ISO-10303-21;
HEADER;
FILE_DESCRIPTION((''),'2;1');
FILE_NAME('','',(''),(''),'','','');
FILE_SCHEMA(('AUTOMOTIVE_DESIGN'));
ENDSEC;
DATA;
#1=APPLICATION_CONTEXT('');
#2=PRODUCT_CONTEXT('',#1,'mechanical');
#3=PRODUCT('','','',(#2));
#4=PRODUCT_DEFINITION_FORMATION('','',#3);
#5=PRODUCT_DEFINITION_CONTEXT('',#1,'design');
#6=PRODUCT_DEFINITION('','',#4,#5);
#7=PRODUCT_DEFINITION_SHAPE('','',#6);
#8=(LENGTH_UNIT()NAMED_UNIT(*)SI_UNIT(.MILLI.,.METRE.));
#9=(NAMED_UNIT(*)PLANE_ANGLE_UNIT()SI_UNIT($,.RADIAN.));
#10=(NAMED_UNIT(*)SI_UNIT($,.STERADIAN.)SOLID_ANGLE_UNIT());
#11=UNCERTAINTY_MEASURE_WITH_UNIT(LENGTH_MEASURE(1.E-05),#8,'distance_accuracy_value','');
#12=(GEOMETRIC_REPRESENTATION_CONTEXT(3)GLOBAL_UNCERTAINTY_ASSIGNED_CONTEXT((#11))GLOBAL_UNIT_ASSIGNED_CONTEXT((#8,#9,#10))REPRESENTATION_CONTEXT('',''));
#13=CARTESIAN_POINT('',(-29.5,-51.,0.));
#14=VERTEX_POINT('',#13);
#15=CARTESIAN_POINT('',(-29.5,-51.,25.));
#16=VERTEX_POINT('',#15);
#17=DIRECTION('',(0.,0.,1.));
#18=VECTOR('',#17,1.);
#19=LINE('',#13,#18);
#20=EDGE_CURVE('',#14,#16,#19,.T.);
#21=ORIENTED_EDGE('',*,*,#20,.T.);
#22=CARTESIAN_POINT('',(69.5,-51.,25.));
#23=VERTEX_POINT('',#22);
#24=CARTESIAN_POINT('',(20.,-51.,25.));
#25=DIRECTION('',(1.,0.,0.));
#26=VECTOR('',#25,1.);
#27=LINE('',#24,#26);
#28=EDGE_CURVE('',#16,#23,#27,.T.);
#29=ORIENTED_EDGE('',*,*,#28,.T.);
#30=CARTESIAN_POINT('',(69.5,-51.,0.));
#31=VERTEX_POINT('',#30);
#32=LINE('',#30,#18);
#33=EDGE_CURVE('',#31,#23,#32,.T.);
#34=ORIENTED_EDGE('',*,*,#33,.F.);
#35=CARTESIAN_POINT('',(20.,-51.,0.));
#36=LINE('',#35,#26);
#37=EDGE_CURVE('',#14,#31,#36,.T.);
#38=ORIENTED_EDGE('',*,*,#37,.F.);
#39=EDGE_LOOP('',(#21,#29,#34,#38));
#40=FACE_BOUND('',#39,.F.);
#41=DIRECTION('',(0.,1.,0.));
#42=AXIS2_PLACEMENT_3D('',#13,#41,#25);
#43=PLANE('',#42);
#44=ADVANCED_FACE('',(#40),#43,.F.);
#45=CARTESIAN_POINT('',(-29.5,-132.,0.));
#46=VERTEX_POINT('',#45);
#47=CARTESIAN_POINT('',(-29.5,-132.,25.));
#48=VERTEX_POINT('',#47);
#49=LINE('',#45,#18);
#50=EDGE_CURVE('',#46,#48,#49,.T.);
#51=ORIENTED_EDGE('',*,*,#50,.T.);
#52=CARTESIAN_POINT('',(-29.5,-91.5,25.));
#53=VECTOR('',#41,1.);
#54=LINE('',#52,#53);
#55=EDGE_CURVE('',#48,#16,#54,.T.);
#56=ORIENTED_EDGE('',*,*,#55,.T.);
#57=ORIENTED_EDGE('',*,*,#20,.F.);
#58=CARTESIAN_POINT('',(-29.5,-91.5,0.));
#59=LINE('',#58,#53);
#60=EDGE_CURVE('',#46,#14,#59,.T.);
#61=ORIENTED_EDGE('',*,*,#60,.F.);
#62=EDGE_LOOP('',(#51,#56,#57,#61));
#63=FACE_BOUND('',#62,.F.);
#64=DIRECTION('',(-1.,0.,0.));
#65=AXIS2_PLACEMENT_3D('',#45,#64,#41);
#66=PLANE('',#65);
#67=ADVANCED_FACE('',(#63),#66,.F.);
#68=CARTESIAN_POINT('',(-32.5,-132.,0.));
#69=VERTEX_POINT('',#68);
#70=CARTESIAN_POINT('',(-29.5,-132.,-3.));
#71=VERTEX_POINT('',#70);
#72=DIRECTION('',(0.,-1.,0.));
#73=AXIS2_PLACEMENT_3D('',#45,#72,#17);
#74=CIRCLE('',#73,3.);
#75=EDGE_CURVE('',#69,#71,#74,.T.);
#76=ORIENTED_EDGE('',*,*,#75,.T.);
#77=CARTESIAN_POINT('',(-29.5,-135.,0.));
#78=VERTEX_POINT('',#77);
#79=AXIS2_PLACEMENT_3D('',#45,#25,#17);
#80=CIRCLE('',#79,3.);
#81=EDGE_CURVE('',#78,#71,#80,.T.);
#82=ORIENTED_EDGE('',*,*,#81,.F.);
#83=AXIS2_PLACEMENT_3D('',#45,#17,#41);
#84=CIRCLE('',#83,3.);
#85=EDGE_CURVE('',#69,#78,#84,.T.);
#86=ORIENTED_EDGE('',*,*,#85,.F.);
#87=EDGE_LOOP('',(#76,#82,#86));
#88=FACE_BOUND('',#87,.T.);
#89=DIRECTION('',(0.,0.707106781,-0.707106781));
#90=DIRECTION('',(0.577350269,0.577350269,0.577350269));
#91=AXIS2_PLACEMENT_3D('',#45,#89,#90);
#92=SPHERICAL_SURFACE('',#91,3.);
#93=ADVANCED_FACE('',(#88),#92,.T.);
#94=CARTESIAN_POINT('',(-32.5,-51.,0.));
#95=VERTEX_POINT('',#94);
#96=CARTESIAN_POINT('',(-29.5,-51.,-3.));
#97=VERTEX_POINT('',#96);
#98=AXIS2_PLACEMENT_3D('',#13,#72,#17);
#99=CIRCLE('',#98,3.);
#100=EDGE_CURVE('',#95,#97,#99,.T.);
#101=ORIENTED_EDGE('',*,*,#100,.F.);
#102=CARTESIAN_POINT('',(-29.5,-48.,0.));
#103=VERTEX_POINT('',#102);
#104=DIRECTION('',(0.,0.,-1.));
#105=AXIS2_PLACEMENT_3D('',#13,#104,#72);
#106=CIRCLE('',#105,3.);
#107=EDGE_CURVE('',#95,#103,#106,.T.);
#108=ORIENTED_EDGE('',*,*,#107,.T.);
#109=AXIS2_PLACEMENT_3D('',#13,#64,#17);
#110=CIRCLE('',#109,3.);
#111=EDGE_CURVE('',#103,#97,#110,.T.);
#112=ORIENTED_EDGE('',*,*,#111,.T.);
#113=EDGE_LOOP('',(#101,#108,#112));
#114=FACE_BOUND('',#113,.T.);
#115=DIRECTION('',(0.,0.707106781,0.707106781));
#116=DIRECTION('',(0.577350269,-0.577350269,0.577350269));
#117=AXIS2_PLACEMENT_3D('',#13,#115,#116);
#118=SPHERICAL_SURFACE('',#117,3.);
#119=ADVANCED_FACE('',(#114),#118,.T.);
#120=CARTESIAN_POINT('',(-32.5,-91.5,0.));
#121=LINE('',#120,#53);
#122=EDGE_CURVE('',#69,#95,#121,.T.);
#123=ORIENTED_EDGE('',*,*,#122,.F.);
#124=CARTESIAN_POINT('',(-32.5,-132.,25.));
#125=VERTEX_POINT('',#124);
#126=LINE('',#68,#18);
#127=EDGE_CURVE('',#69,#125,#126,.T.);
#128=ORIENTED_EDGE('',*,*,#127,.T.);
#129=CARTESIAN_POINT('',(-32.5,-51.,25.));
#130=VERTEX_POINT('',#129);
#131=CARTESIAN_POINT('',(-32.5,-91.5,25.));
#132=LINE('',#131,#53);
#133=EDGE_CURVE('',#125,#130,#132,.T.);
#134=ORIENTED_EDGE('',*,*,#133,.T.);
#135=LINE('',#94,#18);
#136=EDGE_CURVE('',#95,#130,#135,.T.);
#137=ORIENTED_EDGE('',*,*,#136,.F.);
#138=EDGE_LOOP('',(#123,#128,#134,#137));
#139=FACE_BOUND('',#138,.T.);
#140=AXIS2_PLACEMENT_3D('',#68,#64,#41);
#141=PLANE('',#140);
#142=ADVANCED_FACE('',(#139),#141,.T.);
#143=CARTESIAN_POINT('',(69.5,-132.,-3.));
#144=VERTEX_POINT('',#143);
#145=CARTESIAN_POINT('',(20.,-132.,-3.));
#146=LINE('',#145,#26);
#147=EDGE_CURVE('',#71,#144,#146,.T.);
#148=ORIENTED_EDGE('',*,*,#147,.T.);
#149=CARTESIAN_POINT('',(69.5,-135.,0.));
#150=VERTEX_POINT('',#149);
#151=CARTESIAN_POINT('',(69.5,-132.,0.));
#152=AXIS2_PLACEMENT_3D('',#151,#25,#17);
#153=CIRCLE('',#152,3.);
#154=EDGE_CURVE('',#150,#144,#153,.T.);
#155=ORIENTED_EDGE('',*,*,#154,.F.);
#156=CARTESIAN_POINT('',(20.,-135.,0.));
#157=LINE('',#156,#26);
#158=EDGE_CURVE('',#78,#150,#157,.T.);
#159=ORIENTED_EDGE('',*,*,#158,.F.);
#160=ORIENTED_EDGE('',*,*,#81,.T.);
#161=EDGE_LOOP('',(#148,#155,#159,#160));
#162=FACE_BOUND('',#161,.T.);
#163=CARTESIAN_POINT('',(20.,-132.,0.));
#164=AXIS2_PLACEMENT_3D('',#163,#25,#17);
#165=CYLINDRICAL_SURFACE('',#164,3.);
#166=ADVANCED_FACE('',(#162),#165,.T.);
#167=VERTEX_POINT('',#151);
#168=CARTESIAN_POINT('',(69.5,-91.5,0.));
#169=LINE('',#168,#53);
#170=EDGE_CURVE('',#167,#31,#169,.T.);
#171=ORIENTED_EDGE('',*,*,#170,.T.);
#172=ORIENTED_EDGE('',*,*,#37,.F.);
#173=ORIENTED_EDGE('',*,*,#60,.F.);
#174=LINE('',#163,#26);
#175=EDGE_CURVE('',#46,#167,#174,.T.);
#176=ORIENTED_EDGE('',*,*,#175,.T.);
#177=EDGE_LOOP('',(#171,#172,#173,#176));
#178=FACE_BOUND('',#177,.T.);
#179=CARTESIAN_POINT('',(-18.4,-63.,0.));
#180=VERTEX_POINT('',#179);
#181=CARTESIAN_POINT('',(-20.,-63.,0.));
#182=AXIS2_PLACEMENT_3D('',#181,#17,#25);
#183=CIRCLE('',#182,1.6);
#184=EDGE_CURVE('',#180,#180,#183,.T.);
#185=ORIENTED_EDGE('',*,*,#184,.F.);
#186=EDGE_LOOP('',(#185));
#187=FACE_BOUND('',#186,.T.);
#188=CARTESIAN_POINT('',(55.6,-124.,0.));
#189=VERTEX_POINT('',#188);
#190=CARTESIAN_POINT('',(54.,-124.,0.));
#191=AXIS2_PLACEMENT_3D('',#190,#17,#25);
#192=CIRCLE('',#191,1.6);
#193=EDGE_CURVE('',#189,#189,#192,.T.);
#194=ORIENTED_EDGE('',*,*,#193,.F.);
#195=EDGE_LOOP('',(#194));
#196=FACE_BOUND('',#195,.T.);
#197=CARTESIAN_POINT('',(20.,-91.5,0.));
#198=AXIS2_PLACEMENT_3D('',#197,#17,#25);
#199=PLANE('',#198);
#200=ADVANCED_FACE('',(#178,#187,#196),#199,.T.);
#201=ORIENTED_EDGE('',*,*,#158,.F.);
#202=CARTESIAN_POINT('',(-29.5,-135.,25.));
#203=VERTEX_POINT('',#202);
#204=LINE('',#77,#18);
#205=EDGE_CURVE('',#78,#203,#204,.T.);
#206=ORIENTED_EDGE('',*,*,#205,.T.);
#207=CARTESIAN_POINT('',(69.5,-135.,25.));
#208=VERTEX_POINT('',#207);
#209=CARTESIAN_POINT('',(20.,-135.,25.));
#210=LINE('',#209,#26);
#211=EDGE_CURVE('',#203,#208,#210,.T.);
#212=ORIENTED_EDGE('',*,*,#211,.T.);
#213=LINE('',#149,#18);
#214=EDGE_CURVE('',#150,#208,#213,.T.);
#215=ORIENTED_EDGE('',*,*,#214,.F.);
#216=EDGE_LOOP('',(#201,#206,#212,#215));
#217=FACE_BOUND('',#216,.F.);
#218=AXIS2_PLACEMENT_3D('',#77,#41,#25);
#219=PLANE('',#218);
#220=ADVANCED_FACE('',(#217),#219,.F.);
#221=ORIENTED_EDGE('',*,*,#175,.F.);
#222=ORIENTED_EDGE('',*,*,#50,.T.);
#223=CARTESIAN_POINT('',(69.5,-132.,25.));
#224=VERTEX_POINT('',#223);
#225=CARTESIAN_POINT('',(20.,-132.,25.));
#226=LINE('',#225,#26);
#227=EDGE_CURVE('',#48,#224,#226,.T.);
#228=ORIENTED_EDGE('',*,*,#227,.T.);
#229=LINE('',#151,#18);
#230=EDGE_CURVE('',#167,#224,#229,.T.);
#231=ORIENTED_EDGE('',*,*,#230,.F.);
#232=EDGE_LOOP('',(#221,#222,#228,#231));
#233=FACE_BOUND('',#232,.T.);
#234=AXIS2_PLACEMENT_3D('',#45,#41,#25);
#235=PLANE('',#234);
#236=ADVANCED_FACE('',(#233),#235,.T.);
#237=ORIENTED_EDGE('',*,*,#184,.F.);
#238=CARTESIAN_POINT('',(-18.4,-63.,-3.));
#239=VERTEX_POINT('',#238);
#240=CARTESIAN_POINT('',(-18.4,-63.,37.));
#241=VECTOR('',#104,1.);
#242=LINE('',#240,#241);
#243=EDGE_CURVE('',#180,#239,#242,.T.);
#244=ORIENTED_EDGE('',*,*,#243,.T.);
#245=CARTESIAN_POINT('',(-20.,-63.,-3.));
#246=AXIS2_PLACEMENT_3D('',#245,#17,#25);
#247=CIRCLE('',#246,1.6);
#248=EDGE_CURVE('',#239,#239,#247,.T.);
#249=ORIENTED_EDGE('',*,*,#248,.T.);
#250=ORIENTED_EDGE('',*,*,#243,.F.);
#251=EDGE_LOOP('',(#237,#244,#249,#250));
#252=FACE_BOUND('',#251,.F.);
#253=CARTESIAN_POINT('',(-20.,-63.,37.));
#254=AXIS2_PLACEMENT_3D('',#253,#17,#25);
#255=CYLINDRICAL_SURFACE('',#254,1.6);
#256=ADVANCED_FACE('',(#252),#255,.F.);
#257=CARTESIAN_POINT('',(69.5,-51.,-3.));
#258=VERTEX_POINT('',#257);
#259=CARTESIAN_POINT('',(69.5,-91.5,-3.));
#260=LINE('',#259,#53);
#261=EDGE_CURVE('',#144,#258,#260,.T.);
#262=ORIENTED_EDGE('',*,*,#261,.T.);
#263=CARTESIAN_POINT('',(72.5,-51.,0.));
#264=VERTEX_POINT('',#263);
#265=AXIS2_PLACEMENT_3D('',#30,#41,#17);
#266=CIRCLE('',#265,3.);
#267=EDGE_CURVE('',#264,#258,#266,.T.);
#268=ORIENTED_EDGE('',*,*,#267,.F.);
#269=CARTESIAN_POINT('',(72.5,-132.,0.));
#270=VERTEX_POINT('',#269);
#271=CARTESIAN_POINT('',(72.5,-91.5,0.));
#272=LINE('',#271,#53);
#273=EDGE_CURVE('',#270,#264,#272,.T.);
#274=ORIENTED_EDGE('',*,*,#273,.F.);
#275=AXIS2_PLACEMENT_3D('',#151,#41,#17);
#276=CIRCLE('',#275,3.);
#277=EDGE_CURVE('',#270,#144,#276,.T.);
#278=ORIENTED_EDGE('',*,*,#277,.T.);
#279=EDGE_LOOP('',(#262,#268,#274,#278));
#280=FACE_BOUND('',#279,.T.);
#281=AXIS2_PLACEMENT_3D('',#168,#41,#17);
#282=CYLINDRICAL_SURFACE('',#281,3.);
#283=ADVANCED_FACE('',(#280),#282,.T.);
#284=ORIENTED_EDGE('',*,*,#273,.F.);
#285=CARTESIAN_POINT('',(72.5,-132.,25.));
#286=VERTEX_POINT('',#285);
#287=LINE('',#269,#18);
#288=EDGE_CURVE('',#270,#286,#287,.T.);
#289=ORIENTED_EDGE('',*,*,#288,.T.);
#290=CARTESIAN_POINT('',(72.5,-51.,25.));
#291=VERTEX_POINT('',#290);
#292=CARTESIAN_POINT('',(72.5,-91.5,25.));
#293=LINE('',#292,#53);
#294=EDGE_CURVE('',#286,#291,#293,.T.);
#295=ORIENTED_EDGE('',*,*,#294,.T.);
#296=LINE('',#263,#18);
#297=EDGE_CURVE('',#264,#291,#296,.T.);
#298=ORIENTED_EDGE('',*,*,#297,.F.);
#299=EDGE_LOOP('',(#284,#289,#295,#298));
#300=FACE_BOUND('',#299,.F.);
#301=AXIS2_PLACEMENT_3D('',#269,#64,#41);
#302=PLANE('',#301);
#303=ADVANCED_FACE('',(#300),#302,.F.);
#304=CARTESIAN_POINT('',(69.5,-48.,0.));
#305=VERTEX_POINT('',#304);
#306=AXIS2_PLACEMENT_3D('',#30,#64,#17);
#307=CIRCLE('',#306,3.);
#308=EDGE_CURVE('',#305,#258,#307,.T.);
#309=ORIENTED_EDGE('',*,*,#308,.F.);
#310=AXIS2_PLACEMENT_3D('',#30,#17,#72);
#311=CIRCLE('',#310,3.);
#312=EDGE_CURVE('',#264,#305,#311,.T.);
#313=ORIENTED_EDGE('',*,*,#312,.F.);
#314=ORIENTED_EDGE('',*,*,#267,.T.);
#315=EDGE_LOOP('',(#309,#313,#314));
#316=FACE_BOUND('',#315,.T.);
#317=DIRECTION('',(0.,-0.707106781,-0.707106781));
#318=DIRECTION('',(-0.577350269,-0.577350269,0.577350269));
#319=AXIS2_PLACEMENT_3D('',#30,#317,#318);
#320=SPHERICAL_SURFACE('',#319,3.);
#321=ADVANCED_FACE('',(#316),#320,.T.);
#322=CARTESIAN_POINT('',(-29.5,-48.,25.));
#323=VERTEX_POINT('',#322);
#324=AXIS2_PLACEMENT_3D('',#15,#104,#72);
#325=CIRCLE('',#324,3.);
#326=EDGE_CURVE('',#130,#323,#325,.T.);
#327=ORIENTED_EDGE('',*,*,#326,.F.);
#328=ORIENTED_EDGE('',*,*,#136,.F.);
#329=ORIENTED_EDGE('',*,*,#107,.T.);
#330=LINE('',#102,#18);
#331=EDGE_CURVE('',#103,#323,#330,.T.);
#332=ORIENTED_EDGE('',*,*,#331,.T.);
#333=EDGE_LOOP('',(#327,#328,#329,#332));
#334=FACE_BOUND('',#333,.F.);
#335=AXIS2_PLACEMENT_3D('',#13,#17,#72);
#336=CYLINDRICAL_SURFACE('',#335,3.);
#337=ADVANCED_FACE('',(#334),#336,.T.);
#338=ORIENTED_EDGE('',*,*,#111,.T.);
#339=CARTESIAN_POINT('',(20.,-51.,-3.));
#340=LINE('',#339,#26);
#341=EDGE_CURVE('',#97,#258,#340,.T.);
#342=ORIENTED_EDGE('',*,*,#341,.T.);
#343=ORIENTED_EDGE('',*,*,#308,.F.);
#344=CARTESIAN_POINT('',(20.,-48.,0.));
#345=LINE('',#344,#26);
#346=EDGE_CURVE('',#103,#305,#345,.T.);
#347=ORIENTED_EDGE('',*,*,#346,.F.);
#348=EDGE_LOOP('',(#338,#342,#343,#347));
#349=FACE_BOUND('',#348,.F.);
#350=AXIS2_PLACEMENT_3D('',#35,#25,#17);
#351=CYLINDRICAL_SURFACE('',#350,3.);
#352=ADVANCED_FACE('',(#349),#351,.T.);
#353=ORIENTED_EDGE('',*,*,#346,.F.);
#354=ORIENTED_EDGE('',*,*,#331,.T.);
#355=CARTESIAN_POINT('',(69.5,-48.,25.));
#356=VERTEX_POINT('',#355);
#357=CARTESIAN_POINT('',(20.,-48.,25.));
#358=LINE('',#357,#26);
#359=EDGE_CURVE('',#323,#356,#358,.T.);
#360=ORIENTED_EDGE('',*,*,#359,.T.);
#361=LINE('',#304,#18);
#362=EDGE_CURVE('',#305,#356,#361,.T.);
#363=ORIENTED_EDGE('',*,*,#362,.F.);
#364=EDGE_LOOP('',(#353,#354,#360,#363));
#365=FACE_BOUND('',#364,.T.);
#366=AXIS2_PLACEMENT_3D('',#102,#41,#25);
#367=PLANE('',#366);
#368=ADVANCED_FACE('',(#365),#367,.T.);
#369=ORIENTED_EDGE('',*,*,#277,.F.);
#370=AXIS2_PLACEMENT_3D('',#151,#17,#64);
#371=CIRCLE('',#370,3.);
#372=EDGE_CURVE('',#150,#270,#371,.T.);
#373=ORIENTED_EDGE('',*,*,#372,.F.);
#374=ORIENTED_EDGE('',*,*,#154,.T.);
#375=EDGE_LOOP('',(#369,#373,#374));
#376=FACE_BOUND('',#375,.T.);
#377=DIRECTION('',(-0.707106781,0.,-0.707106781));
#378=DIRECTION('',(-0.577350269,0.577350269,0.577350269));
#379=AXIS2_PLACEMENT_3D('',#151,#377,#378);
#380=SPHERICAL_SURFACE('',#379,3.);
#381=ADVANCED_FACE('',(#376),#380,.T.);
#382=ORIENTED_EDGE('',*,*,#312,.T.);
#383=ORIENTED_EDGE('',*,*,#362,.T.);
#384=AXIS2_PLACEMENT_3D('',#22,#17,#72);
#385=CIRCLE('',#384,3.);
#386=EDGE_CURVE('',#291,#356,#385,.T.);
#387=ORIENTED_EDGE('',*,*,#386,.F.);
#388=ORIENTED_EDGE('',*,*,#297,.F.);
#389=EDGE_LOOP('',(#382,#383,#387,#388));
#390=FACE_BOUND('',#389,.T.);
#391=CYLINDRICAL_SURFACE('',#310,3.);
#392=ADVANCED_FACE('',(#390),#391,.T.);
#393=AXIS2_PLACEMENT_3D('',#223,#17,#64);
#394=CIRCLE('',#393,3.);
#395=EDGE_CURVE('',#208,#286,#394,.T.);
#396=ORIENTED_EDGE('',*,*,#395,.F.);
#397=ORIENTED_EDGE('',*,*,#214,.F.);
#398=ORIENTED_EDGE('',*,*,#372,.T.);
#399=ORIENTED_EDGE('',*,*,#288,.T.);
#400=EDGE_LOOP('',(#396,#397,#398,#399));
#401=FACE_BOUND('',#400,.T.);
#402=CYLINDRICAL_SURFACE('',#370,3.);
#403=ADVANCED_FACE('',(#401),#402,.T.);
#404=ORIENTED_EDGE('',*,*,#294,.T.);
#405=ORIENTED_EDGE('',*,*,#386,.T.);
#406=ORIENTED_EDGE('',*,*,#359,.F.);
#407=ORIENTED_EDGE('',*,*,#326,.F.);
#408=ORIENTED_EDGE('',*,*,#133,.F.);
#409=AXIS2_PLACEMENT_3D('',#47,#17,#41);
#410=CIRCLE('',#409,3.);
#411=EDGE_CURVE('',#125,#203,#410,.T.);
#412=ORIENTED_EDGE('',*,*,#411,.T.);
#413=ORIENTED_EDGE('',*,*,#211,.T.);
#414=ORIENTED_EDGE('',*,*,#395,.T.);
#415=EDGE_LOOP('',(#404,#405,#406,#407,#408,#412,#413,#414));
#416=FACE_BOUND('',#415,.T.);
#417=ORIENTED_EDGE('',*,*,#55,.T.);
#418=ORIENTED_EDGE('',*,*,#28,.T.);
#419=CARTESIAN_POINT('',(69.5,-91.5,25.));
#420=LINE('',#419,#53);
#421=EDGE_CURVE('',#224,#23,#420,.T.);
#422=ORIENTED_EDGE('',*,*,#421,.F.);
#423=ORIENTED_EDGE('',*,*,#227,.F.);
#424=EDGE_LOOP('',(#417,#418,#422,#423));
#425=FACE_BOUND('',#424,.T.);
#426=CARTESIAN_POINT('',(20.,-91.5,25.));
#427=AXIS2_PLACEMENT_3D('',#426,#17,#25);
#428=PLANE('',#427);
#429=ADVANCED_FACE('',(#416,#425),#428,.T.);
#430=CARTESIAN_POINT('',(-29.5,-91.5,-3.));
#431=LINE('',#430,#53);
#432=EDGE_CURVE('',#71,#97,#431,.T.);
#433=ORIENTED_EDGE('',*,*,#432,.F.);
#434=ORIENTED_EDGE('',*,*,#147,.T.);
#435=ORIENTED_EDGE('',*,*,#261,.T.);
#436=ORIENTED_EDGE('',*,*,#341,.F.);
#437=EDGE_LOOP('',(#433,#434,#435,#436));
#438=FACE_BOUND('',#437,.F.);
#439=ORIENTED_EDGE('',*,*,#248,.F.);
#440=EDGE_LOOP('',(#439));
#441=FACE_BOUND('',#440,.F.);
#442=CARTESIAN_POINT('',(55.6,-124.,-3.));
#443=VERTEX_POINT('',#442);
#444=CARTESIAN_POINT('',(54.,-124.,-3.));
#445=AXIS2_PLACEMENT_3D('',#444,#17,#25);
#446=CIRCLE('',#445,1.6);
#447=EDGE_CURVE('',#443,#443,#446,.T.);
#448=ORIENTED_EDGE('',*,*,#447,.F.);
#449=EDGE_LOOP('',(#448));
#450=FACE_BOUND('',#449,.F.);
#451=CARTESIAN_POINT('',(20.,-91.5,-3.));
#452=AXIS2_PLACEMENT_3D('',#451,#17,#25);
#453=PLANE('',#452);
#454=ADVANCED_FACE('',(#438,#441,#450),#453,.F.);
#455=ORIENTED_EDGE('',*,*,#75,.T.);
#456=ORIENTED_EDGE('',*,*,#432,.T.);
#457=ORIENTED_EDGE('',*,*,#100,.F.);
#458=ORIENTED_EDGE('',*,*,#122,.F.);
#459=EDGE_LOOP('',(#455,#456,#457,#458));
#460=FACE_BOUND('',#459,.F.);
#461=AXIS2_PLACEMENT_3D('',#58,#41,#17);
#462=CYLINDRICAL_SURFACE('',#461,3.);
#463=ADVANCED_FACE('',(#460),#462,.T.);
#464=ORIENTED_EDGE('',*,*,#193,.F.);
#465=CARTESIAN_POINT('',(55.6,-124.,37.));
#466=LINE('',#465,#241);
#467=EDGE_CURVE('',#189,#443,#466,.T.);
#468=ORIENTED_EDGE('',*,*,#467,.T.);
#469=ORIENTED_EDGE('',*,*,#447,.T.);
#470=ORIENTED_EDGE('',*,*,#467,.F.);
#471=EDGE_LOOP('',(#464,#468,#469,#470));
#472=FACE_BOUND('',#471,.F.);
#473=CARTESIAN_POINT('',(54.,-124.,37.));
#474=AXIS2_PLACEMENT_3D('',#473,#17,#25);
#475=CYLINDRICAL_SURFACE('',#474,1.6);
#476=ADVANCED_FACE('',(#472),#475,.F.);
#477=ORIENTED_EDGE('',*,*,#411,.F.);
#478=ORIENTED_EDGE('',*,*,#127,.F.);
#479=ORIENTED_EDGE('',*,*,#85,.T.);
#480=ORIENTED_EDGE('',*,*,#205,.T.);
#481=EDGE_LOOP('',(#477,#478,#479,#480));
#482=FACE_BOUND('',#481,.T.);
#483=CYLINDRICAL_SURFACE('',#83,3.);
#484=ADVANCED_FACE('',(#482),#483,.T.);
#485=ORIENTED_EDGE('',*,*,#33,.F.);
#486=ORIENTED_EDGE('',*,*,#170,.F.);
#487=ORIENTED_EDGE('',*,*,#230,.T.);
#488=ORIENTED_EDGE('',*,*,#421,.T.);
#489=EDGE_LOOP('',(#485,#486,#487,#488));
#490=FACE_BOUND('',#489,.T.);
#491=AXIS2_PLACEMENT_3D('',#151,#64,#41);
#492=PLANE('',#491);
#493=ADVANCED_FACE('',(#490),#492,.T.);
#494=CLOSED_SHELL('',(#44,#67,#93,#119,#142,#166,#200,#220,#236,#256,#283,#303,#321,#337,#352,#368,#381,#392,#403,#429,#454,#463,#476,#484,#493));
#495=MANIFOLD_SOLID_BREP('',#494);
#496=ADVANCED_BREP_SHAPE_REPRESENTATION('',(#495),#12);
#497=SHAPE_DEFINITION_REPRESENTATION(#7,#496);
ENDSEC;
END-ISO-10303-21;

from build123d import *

# Parameters (mm, degrees)
SKETCH_W     = 99
SKETCH_H     = 81
PAD_DEPTH    = 25
THICKNESS_T  = 3
SKETCH004_R  = 1.6
POCKET_DEPTH = 40.001


with BuildPart() as part:
    # Sketch → Pad (new body)
    with BuildSketch(Plane.XY):
        with Locations((20, -91.5)):
            Rectangle(SKETCH_W, SKETCH_H)
    extrude(amount=PAD_DEPTH)

    # Thickness
    thickness_openings = [part.faces().sort_by_distance(p)[0] for p in [
        (20, -91.5, 25),
    ]]
    offset(amount=THICKNESS_T, openings=thickness_openings)

    # Sketch004 (on Part__Feature) → Pocket (cut, through all)
    with BuildSketch(Plane(origin=(-200, 0, 37), x_dir=(1, 0, 0), z_dir=(0, 0, 1))):
        with Locations((180, -63)):
            Circle(SKETCH004_R)
        with Locations((254, -124)):
            Circle(SKETCH004_R)
    extrude(amount=-POCKET_DEPTH, mode=Mode.SUBTRACT)


solid = part.part
